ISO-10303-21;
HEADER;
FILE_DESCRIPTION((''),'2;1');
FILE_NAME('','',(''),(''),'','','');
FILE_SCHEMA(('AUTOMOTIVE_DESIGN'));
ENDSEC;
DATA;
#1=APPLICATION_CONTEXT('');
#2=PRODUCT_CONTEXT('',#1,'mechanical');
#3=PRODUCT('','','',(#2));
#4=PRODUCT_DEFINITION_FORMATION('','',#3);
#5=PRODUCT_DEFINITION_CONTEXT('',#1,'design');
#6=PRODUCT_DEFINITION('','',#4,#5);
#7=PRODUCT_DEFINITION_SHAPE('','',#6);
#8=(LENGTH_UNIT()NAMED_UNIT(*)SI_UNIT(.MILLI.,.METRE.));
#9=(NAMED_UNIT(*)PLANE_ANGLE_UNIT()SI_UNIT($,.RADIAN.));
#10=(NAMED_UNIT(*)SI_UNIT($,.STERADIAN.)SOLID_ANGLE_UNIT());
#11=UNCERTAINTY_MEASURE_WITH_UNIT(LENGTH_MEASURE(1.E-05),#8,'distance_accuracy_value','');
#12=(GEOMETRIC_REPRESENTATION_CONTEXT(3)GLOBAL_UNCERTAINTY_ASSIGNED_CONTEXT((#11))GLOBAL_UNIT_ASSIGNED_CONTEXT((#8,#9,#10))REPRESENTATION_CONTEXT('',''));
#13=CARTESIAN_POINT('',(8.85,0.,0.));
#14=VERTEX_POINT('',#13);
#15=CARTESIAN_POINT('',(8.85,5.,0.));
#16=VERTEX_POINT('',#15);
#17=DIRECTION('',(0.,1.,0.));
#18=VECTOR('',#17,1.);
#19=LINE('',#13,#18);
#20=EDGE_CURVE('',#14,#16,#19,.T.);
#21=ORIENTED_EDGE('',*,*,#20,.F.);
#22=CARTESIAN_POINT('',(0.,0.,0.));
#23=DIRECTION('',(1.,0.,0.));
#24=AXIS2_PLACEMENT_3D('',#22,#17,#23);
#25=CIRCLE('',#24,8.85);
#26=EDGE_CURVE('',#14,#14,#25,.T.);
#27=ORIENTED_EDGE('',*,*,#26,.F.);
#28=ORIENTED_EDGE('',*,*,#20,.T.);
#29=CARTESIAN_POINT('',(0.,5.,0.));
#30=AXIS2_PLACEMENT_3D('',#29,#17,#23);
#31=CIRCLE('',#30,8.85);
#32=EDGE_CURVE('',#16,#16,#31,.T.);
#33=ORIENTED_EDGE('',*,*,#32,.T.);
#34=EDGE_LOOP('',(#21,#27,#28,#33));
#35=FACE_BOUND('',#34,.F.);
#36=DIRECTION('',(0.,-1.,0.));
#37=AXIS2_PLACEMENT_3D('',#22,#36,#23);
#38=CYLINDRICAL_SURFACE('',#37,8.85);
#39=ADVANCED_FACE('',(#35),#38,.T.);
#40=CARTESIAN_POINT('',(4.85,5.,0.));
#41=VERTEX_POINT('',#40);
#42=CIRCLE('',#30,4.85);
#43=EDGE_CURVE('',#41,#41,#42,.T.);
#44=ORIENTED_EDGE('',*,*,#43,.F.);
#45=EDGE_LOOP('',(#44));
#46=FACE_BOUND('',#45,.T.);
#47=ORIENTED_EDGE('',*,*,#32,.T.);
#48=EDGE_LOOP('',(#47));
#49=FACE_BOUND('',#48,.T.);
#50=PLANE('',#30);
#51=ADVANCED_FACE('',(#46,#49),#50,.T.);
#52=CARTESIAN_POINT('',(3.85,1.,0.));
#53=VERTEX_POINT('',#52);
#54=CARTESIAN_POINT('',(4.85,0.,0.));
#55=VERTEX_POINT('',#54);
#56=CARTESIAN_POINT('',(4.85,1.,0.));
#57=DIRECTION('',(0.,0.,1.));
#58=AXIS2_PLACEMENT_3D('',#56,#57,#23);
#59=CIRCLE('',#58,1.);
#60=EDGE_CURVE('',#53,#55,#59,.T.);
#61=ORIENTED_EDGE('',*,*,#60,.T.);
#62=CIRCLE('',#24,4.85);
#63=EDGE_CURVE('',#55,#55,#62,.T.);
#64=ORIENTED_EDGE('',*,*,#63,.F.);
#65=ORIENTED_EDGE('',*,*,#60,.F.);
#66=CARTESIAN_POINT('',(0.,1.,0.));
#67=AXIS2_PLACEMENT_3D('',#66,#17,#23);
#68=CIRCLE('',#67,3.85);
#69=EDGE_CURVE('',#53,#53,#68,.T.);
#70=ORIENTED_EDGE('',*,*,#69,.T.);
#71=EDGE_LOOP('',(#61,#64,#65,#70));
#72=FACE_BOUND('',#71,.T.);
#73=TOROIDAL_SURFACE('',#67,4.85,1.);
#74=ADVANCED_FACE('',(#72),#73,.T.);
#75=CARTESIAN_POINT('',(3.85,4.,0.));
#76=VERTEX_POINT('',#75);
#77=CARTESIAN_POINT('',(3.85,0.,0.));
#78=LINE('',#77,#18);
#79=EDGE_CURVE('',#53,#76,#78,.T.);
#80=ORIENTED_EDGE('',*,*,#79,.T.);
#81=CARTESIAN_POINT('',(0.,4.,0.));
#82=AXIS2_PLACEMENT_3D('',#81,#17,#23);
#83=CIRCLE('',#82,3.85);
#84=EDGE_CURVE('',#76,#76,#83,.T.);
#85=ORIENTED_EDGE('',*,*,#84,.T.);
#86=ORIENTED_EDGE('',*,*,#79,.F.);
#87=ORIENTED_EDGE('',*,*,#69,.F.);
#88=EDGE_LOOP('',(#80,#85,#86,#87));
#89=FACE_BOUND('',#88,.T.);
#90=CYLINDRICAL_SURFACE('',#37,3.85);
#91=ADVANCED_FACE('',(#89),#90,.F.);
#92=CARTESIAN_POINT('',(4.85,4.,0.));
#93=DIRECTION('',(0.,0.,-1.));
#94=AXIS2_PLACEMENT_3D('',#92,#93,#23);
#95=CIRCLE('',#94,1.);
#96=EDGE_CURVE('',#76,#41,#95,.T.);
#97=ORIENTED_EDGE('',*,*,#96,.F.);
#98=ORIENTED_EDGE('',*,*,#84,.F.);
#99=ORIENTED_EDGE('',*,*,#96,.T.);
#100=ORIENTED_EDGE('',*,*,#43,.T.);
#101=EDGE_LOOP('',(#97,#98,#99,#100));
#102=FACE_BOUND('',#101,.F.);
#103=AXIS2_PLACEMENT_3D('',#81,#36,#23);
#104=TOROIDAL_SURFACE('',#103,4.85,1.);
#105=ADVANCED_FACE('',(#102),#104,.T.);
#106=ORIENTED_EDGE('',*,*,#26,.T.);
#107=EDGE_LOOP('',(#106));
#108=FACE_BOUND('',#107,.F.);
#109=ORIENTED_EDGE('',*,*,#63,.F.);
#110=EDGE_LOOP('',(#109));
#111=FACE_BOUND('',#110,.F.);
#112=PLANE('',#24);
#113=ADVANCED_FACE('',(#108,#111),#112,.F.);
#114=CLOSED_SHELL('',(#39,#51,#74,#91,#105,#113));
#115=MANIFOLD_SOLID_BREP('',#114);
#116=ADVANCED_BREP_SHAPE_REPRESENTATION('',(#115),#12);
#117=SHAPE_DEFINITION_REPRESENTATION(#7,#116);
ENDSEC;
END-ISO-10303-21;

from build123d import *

# Parameters (mm, degrees)
SKETCH2_R           = 8.85
SKETCH2_R_2         = 3.85
BOSS_EXTRUDE1_DEPTH = 5
FILLET1_R           = 1


with BuildPart() as part:
    # Sketch2 → Boss-Extrude1 (new body)
    with BuildSketch(Plane(origin=(0, 0, 0), x_dir=(1, 0, 0), z_dir=(0, 1, 0))):
        Circle(SKETCH2_R)
        Circle(SKETCH2_R_2, mode=Mode.SUBTRACT)
    extrude(amount=BOSS_EXTRUDE1_DEPTH)

    # Fillet1
    fillet1_edges = [part.edges().sort_by_distance(p)[0] for p in [
        (-3.85, 0, 0),
        (-3.85, 5, 0),
    ]]
    fillet(fillet1_edges, radius=FILLET1_R)


solid = part.part
